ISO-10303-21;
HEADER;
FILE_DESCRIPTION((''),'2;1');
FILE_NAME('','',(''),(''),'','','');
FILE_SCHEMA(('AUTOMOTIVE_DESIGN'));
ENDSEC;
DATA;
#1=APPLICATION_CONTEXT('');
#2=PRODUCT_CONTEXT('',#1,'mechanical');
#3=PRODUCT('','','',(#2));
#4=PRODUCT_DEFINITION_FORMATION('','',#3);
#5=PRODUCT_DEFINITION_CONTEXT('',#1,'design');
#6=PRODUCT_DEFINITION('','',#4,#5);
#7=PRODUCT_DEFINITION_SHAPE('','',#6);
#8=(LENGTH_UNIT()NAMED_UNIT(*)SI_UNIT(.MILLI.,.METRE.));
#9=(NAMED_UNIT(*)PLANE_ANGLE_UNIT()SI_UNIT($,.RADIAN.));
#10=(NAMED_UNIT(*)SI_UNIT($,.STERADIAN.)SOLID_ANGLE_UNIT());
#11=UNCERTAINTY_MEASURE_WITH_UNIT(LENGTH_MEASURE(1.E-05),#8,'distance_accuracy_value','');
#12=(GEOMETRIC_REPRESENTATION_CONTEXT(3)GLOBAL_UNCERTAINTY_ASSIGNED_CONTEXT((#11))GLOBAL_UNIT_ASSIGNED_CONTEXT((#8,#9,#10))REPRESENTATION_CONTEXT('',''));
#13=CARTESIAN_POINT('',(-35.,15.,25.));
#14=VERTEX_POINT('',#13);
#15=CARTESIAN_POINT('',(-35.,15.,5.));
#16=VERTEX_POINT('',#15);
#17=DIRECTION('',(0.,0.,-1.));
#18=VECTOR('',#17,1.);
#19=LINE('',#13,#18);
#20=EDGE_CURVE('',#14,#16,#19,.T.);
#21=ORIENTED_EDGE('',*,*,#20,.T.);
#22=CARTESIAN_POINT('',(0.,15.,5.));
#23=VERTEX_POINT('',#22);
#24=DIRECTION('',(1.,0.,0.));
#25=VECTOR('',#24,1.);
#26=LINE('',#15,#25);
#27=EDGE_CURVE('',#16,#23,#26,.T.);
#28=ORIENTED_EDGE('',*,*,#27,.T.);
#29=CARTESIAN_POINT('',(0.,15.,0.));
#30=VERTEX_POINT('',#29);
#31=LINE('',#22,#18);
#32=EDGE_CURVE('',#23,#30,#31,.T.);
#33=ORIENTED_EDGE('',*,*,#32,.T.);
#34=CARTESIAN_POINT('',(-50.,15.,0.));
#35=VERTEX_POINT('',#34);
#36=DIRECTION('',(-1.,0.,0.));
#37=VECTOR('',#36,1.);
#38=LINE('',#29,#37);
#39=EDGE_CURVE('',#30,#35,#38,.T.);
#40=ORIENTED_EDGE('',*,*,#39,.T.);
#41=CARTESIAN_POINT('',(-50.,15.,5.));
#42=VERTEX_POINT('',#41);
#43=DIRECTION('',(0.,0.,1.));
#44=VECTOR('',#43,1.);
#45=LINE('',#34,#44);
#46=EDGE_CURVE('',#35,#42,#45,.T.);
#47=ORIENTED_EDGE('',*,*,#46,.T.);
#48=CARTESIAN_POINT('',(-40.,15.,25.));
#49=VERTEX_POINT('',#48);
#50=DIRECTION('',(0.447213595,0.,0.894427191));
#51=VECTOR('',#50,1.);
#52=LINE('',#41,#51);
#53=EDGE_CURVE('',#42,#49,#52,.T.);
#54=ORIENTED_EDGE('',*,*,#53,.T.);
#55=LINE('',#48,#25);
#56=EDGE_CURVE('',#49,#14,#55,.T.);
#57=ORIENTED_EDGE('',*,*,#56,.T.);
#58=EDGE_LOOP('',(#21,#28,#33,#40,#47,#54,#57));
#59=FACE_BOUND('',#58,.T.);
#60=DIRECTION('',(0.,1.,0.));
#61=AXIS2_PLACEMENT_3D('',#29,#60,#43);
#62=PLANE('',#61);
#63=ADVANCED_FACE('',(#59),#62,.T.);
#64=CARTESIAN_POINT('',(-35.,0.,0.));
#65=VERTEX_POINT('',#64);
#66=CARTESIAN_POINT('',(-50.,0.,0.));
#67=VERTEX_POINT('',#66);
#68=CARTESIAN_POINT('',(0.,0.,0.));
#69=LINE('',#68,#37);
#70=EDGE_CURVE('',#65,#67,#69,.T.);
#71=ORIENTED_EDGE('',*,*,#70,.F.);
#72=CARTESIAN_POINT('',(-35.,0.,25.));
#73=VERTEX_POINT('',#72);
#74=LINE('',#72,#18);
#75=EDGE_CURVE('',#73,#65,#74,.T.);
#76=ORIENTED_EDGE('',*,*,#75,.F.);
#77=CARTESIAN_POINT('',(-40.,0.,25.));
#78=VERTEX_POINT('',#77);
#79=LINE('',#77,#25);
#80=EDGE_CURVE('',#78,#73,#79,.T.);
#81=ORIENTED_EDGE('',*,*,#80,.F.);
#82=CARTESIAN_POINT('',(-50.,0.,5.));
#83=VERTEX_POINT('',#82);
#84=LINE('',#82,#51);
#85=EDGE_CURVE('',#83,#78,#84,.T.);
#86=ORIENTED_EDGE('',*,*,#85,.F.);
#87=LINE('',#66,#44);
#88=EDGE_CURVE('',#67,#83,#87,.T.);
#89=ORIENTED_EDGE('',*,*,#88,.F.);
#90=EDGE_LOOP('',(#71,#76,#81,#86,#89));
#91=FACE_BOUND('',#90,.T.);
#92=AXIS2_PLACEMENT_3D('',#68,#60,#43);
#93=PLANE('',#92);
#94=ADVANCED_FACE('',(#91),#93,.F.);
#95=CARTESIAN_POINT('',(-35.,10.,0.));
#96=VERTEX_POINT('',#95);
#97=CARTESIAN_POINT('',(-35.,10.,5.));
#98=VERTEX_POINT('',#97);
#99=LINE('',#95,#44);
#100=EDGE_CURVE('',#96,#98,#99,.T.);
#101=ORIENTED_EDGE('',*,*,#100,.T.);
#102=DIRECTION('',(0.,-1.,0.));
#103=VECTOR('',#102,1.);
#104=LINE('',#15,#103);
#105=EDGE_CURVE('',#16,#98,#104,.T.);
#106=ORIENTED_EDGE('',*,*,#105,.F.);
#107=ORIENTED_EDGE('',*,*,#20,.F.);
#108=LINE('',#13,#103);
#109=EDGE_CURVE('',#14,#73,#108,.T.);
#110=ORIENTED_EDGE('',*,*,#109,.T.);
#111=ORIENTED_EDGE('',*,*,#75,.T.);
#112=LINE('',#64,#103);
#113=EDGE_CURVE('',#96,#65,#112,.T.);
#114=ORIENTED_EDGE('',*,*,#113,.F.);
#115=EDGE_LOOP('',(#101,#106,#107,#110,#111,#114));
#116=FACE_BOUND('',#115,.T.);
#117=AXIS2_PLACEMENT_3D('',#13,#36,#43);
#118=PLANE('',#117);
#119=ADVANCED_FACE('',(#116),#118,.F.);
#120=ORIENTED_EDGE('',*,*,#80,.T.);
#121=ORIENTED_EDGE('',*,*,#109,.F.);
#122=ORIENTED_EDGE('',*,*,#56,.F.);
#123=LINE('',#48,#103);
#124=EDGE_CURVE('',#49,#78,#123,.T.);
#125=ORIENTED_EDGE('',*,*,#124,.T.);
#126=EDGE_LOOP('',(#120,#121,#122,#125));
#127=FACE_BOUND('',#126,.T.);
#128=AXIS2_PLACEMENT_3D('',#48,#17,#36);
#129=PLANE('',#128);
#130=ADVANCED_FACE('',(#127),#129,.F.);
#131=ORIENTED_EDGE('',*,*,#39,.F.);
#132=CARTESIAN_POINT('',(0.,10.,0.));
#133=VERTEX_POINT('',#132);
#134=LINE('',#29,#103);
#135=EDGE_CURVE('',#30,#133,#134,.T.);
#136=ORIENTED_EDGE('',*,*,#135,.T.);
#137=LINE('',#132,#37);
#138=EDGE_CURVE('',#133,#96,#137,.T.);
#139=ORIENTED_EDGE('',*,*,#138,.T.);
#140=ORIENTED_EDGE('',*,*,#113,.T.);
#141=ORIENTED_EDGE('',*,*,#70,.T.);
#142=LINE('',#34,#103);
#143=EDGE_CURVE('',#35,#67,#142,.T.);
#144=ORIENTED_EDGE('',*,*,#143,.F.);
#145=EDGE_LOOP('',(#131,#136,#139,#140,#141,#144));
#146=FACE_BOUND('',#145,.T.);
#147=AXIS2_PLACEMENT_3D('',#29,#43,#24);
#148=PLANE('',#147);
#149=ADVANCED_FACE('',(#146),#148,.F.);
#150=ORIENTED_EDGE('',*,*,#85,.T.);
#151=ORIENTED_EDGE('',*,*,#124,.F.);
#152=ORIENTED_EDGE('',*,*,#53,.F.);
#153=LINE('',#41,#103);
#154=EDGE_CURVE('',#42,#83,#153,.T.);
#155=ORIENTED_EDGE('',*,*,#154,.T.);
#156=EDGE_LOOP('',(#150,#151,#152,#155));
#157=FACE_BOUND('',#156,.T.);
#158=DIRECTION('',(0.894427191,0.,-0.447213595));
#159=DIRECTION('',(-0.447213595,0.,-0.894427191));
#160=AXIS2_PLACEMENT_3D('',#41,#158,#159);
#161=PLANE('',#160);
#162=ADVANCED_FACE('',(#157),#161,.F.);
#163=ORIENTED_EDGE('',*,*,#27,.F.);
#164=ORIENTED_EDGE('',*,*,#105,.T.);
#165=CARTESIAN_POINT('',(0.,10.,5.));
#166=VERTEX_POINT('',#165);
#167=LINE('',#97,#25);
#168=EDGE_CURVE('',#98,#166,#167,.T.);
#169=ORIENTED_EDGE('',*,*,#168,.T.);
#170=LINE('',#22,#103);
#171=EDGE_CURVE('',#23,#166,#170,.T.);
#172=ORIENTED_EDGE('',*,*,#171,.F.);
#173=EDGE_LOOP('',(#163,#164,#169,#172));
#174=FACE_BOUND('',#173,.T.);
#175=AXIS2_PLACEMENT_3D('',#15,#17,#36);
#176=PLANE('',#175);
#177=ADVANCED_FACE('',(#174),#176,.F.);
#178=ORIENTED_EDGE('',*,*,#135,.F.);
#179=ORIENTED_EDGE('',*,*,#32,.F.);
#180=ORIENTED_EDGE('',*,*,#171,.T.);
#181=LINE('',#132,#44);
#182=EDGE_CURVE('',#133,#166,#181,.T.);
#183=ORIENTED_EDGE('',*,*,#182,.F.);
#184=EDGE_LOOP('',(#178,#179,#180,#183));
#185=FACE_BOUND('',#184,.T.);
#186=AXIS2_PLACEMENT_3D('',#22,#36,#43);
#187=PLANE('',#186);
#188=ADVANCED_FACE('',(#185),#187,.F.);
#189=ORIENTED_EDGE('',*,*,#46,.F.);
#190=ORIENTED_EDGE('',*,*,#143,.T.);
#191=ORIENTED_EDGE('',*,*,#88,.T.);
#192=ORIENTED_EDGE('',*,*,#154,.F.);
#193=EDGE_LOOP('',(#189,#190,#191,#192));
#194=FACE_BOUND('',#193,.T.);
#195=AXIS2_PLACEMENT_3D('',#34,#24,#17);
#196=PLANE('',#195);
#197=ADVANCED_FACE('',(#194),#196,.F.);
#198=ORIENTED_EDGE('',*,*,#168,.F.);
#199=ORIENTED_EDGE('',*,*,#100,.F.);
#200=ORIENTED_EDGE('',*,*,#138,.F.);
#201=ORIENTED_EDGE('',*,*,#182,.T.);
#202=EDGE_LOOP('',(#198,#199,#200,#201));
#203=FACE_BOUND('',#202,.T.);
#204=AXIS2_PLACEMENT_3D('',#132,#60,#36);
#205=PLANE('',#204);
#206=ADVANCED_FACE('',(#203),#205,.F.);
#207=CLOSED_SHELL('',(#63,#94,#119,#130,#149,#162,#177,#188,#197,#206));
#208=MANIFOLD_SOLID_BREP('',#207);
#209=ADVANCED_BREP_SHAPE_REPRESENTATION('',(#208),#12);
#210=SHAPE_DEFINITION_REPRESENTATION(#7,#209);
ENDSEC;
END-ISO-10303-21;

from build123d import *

# Parameters (mm, degrees)
BOSS_EXTRU_1_DEPTH           = 15
ENL_V_MAT_EXTRU_1_DEPTH      = 56.901699437
ENL_V_MAT_EXTRU_1_DEPTH_BACK = 56.901699437
ESQUISSE2_W                  = 35
ESQUISSE2_H                  = 10


with BuildPart() as part:
    # Esquisse1 → Boss.-Extru.1 (new body)
    with BuildSketch(Plane(origin=(0, 0, 0), x_dir=(1, 0, 0), z_dir=(0, 1, 0))):
        Polygon((0, 0), (-50, 0), (-50, -5), (-40, -25), (-35, -25), (-35, -5), (0, -5), align=None)
    extrude(amount=BOSS_EXTRU_1_DEPTH)

    # Esquisse2 → Enlèv. mat.-Extru.1 (cut, two sides: drawn at the far end of the back side and taken through both)
    with BuildSketch(Plane.XY.offset(5).offset(-ENL_V_MAT_EXTRU_1_DEPTH_BACK)):
        with Locations((-17.5, 5)):
            Rectangle(ESQUISSE2_W, ESQUISSE2_H)
    extrude(amount=ENL_V_MAT_EXTRU_1_DEPTH + ENL_V_MAT_EXTRU_1_DEPTH_BACK, mode=Mode.SUBTRACT)


solid = part.part
